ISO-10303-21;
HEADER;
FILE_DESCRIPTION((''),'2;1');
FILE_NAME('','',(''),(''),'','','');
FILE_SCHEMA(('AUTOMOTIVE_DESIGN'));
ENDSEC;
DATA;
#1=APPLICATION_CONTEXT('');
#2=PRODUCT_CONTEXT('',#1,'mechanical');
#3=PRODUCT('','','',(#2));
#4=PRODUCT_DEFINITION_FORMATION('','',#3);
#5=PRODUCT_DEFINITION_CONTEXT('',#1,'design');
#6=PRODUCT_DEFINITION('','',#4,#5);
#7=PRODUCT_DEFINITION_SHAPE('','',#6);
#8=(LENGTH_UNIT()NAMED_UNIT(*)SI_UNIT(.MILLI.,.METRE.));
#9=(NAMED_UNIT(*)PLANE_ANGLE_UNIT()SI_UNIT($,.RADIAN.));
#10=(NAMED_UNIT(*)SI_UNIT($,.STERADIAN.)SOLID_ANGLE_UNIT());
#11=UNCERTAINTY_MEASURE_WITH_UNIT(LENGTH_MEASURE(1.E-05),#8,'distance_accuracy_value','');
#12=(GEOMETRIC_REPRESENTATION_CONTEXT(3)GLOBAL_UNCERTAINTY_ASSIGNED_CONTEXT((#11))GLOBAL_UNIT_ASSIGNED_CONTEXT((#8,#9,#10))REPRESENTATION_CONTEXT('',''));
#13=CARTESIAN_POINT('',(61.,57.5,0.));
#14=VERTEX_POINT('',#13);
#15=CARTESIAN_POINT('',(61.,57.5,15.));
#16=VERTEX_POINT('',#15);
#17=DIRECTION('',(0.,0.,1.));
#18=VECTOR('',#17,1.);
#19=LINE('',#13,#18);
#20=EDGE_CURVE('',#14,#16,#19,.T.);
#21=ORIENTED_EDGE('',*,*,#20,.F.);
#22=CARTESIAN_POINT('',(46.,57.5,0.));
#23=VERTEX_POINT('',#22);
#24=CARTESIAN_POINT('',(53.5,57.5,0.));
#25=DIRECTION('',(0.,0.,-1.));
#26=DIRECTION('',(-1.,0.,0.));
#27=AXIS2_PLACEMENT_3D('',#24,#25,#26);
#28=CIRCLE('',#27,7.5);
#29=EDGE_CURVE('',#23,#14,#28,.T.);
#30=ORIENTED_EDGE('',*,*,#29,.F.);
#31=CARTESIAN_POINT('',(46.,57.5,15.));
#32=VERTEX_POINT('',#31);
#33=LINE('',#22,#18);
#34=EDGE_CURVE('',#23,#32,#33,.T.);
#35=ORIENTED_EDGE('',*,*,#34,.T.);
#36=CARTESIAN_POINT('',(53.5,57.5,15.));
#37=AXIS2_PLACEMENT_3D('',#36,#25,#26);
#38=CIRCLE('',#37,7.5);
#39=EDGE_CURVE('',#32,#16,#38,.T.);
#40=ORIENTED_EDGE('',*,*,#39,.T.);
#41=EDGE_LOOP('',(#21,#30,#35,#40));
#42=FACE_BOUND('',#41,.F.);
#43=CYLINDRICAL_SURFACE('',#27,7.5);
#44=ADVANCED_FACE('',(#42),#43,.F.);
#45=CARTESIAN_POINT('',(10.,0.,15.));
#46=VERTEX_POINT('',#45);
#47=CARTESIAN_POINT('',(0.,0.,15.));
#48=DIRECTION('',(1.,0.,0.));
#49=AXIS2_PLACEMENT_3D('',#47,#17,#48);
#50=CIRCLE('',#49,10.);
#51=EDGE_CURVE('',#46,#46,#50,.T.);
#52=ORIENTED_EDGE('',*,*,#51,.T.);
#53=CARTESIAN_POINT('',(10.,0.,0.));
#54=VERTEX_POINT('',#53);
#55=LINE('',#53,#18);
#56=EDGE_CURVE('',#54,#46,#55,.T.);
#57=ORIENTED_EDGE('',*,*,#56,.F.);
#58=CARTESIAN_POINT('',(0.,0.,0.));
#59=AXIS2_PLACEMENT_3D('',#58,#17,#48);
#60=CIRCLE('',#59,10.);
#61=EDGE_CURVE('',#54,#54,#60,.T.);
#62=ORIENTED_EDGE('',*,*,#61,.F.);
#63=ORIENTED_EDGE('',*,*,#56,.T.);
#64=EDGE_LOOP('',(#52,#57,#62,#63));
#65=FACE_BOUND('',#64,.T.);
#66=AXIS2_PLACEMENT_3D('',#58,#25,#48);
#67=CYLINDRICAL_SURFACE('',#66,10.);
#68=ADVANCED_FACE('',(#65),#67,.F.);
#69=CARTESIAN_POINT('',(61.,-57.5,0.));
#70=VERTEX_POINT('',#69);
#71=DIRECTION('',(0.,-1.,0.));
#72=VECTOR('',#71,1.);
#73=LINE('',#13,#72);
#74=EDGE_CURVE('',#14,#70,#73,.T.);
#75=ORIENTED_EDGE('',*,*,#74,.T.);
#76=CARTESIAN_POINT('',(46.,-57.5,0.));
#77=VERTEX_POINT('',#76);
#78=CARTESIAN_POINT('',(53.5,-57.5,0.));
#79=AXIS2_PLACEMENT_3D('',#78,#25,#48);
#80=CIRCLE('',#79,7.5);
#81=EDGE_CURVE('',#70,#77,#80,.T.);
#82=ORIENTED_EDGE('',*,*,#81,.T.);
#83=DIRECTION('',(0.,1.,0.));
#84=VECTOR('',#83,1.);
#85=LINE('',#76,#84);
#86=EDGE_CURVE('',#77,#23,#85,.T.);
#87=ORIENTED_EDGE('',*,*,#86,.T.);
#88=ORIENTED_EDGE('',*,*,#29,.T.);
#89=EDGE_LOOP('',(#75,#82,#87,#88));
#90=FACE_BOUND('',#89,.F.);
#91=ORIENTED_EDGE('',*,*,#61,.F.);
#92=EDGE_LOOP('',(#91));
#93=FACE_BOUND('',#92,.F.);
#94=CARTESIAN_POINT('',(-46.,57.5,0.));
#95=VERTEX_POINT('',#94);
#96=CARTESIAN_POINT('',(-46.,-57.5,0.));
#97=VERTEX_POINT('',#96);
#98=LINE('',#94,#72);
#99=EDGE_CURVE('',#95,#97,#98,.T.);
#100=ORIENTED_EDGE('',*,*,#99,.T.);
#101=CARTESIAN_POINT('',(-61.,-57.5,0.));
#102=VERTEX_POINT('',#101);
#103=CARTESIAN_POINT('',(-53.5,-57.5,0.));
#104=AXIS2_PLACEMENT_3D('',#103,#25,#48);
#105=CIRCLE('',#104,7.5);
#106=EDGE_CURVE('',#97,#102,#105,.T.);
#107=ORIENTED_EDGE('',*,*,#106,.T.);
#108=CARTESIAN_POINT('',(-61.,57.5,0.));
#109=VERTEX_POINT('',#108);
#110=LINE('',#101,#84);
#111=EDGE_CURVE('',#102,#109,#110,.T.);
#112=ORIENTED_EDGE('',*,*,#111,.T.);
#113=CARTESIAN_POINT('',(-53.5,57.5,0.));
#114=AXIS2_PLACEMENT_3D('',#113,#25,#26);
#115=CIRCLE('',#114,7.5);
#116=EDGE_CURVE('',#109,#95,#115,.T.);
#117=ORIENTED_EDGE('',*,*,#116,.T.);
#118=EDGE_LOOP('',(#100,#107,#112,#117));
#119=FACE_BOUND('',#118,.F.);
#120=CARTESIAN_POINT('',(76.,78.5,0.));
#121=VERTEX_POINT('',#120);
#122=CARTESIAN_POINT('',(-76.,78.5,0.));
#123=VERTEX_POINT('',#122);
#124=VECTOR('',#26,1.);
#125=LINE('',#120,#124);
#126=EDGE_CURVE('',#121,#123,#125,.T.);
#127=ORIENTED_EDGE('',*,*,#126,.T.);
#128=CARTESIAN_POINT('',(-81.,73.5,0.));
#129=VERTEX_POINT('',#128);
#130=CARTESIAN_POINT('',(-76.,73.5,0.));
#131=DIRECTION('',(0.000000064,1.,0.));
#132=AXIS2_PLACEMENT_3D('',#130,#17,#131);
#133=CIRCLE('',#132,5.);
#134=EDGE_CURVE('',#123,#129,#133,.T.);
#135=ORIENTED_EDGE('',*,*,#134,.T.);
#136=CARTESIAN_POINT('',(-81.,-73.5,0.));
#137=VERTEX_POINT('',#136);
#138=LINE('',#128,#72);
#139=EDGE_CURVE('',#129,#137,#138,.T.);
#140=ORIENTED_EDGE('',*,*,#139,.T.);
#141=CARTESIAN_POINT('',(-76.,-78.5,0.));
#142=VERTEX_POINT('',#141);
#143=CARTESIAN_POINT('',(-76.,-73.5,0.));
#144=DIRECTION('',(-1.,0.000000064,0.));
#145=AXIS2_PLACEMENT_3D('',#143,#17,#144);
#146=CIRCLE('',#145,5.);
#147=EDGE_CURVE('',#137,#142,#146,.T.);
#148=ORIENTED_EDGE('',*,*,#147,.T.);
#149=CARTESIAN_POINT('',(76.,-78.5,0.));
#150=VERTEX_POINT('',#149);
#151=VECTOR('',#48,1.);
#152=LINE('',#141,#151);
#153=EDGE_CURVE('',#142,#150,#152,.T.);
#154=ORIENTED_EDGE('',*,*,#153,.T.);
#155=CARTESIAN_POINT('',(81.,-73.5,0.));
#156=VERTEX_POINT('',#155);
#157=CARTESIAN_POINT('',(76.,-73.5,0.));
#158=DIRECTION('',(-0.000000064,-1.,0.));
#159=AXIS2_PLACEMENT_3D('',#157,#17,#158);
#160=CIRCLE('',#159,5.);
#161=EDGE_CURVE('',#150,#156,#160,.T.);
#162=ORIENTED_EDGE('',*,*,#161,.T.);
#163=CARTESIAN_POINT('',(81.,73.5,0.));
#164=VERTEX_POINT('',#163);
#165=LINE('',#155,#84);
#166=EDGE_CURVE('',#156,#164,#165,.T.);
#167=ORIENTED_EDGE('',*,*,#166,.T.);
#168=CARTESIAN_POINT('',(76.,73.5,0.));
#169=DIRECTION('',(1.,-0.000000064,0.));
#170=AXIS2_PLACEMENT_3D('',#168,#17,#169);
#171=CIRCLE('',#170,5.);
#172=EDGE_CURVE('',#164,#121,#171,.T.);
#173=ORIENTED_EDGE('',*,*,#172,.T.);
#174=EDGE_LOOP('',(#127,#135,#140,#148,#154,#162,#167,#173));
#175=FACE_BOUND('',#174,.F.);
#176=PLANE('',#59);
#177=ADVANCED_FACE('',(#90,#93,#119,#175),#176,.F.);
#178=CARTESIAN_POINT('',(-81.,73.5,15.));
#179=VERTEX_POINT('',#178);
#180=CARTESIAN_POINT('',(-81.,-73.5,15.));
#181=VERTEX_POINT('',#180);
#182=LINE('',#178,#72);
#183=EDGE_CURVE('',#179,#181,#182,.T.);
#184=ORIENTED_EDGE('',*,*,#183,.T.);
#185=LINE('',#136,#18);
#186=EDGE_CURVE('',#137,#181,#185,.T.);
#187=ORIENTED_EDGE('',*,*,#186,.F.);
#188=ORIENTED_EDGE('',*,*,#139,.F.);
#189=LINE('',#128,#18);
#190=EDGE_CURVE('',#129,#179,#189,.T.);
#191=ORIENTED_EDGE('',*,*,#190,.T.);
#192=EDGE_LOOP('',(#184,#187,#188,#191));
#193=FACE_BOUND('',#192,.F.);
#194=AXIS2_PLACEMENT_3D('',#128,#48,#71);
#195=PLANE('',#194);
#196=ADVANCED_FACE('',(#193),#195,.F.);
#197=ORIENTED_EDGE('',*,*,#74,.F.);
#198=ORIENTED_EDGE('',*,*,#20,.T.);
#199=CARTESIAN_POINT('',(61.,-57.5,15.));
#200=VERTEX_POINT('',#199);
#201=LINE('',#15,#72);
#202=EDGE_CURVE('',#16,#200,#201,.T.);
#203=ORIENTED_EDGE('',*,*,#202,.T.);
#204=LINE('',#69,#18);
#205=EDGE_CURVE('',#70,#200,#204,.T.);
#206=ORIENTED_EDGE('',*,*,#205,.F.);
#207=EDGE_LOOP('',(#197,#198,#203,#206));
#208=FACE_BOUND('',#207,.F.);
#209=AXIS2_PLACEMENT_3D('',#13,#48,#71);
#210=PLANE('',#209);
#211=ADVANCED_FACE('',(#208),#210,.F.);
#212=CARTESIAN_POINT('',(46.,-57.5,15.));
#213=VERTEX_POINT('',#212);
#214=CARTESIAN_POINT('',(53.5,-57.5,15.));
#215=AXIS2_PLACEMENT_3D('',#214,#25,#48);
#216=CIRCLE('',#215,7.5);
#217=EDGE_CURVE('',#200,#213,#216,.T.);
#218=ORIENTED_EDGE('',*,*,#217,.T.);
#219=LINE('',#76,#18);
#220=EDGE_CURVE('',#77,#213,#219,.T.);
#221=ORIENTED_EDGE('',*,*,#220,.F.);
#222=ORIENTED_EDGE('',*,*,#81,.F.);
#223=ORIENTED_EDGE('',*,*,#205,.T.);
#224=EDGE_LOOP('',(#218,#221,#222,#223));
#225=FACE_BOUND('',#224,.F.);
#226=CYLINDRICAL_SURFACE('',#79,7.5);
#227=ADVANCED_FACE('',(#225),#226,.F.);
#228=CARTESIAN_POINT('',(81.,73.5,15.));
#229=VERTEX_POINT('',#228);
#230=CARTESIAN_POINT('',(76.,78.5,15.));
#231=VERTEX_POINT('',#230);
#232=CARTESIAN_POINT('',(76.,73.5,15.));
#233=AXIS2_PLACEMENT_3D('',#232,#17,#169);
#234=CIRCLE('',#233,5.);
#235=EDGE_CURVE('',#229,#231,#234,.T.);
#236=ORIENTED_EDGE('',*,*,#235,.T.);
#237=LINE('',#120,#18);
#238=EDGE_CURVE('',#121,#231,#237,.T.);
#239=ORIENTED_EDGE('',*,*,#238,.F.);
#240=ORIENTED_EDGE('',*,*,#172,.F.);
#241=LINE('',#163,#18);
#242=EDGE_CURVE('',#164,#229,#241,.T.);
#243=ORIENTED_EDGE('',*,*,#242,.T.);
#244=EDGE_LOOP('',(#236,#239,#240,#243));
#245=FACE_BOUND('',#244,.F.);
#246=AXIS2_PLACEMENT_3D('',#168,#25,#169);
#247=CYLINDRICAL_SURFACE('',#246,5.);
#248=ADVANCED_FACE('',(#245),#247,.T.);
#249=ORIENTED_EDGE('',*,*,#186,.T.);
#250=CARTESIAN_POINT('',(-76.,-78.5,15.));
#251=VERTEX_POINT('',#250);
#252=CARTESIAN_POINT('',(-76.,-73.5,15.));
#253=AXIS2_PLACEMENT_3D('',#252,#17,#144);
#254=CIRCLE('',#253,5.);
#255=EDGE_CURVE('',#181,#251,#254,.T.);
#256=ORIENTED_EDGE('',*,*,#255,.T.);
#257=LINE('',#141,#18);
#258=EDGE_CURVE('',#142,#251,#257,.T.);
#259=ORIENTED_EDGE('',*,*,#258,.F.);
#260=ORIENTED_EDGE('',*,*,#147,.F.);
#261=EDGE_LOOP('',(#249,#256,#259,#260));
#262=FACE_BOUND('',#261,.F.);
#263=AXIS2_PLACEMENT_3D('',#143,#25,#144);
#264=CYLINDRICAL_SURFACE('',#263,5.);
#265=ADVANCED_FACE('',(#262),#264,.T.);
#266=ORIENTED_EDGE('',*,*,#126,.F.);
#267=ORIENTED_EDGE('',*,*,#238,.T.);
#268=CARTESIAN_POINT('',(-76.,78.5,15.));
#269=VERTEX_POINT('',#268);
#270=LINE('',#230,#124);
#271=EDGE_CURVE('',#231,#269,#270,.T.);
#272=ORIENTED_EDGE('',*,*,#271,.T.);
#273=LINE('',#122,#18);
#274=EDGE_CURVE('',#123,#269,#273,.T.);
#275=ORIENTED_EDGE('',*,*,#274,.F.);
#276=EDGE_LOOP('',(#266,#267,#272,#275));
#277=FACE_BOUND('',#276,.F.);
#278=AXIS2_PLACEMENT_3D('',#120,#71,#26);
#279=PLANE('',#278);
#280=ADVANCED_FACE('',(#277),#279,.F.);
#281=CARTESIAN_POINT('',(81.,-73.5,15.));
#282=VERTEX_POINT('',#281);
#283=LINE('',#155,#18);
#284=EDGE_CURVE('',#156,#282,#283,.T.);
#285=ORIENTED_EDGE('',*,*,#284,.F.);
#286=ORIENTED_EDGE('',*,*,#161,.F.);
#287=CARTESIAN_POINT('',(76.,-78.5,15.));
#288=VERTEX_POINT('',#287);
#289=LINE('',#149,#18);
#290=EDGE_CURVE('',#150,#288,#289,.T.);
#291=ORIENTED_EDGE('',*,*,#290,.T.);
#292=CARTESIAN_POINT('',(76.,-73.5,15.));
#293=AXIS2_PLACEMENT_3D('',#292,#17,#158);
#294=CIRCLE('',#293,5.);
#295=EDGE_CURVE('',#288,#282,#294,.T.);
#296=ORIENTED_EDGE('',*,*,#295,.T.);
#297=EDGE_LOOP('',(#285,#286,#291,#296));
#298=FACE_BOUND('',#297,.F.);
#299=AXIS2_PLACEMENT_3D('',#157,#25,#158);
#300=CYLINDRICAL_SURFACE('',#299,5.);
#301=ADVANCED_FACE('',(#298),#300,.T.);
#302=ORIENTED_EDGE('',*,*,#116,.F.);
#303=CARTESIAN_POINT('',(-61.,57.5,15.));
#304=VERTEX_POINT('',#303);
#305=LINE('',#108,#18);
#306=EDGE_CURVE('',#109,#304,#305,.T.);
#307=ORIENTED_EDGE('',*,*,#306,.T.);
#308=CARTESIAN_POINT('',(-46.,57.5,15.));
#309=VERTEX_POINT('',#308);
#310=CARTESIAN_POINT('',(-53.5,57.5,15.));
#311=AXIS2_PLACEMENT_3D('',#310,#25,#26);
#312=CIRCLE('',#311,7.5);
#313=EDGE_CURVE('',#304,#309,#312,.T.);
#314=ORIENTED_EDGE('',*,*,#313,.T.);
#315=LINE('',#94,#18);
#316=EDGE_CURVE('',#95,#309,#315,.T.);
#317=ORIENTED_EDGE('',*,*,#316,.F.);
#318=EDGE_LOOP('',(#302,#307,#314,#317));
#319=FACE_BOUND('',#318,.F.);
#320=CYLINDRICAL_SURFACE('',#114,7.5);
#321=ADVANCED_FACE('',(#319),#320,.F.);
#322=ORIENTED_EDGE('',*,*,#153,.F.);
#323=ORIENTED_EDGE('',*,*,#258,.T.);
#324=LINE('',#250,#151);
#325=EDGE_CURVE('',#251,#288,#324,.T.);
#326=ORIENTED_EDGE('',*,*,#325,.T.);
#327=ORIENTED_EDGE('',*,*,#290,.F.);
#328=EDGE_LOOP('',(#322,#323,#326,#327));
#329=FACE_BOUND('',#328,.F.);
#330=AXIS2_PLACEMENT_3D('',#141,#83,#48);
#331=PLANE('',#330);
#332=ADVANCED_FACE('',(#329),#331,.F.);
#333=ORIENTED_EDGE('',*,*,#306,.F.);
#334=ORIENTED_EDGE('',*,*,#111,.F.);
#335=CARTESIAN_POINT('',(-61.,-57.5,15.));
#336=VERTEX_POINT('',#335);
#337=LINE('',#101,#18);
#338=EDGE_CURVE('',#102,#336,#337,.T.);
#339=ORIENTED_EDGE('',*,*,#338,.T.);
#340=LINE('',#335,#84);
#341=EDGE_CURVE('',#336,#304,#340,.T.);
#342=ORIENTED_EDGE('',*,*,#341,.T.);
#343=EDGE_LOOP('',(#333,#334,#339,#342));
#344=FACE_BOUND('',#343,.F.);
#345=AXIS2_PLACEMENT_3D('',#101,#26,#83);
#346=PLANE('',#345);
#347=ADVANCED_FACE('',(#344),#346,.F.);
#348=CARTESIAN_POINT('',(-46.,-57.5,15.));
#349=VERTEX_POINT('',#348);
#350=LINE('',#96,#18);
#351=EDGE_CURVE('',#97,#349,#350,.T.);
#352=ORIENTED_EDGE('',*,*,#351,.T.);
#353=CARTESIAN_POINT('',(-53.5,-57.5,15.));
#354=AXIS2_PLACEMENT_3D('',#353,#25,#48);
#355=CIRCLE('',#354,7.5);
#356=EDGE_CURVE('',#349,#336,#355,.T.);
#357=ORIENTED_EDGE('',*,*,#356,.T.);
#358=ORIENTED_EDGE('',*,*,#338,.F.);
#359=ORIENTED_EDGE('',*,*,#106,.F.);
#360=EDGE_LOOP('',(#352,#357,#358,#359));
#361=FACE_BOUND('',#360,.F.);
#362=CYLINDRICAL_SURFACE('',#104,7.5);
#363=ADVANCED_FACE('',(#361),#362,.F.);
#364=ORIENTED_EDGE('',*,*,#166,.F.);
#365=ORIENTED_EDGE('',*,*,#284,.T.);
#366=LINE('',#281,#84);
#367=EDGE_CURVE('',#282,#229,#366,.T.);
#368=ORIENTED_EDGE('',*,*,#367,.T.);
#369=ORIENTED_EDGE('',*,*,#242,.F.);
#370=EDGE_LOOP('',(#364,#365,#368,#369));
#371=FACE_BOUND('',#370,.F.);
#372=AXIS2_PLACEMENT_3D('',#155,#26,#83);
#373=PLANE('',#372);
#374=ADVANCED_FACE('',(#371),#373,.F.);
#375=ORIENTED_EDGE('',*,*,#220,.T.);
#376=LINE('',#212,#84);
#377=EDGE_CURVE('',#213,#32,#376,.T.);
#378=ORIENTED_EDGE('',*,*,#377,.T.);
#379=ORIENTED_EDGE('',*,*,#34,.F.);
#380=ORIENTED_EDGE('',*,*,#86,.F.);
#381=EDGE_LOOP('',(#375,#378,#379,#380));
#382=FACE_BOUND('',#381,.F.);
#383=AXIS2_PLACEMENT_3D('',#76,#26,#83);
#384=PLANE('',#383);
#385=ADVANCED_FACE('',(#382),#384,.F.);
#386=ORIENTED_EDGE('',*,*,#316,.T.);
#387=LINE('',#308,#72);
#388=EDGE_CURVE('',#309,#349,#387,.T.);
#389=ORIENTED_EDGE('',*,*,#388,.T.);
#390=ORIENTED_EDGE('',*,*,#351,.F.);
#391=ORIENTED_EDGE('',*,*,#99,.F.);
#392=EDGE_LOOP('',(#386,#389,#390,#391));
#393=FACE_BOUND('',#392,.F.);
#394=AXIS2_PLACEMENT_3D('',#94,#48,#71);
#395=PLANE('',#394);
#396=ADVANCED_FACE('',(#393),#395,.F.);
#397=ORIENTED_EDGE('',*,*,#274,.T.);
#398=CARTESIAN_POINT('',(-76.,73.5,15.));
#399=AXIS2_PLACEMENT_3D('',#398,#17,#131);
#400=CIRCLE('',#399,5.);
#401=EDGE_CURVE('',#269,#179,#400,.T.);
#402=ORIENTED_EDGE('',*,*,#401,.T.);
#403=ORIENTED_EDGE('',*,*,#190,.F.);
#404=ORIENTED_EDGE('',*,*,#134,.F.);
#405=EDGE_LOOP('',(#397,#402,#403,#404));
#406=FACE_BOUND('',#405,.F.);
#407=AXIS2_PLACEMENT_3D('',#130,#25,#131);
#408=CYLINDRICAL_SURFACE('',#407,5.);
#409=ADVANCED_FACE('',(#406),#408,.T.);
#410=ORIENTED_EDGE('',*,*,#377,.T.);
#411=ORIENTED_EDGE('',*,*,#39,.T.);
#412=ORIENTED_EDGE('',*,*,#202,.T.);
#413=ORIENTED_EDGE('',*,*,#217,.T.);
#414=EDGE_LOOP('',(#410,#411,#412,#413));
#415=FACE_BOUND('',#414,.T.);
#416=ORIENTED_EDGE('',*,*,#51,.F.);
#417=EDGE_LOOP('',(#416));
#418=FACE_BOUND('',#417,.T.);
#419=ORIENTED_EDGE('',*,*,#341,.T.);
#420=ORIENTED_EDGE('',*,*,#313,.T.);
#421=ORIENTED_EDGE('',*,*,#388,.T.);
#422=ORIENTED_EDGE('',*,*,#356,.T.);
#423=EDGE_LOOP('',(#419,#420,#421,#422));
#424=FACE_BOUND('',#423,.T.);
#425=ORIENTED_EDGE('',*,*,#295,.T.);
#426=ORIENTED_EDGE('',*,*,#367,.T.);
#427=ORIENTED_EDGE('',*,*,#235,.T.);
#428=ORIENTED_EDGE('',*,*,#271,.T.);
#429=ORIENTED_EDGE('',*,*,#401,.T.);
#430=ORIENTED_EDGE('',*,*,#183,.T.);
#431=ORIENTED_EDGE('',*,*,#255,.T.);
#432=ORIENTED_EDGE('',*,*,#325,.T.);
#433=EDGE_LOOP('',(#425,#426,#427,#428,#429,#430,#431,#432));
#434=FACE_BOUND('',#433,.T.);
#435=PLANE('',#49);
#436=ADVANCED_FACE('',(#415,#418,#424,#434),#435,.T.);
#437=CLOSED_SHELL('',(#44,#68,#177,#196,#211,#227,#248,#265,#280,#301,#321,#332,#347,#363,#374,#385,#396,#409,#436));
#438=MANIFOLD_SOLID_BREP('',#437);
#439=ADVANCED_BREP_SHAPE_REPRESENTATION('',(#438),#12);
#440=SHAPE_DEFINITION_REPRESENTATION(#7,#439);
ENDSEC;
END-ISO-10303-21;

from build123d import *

# Parameters (mm, degrees)
F0_R     = 10
F1_DEPTH = 15


with BuildPart() as f1:
    # F0 (on Top) → F1 (new body)
    with BuildSketch(Plane.XY):
        with BuildLine():
            Line((76, 78.5), (-76, 78.5))
            ThreePointArc((-76, 78.5), (-79.535534, 77.035534), (-81, 73.5))
            Line((-81, 73.5), (-81, -73.5))
            ThreePointArc((-81, -73.5), (-79.535534, -77.035534), (-76, -78.5))
            Line((-76, -78.5), (76, -78.5))
            ThreePointArc((76, -78.5), (79.535534, -77.035534), (81, -73.5))
            Line((81, -73.5), (81, 73.5))
            ThreePointArc((81, 73.5), (79.535534, 77.035534), (76, 78.5))
        make_face()
        with BuildLine():
            ThreePointArc((-61, 57.5), (-53.5, 65), (-46, 57.5))
            Line((-46, 57.5), (-46, 0))
            Line((-46, 0), (-46, -57.5))
            ThreePointArc((-46, -57.5), (-53.5, -65), (-61, -57.5))
            Line((-61, -57.5), (-61, 0))
            Line((-61, 0), (-61, 57.5))
        make_face(mode=Mode.SUBTRACT)
        Circle(F0_R, mode=Mode.SUBTRACT)
        with BuildLine():
            Line((46, 0), (46, 57.5))
            ThreePointArc((46, 57.5), (53.5, 65), (61, 57.5))
            Line((61, 57.5), (61, 0))
            Line((61, 0), (61, -57.5))
            ThreePointArc((61, -57.5), (53.5, -65), (46, -57.5))
            Line((46, -57.5), (46, 0))
        make_face(mode=Mode.SUBTRACT)
    extrude(amount=F1_DEPTH)


solid = f1.part
